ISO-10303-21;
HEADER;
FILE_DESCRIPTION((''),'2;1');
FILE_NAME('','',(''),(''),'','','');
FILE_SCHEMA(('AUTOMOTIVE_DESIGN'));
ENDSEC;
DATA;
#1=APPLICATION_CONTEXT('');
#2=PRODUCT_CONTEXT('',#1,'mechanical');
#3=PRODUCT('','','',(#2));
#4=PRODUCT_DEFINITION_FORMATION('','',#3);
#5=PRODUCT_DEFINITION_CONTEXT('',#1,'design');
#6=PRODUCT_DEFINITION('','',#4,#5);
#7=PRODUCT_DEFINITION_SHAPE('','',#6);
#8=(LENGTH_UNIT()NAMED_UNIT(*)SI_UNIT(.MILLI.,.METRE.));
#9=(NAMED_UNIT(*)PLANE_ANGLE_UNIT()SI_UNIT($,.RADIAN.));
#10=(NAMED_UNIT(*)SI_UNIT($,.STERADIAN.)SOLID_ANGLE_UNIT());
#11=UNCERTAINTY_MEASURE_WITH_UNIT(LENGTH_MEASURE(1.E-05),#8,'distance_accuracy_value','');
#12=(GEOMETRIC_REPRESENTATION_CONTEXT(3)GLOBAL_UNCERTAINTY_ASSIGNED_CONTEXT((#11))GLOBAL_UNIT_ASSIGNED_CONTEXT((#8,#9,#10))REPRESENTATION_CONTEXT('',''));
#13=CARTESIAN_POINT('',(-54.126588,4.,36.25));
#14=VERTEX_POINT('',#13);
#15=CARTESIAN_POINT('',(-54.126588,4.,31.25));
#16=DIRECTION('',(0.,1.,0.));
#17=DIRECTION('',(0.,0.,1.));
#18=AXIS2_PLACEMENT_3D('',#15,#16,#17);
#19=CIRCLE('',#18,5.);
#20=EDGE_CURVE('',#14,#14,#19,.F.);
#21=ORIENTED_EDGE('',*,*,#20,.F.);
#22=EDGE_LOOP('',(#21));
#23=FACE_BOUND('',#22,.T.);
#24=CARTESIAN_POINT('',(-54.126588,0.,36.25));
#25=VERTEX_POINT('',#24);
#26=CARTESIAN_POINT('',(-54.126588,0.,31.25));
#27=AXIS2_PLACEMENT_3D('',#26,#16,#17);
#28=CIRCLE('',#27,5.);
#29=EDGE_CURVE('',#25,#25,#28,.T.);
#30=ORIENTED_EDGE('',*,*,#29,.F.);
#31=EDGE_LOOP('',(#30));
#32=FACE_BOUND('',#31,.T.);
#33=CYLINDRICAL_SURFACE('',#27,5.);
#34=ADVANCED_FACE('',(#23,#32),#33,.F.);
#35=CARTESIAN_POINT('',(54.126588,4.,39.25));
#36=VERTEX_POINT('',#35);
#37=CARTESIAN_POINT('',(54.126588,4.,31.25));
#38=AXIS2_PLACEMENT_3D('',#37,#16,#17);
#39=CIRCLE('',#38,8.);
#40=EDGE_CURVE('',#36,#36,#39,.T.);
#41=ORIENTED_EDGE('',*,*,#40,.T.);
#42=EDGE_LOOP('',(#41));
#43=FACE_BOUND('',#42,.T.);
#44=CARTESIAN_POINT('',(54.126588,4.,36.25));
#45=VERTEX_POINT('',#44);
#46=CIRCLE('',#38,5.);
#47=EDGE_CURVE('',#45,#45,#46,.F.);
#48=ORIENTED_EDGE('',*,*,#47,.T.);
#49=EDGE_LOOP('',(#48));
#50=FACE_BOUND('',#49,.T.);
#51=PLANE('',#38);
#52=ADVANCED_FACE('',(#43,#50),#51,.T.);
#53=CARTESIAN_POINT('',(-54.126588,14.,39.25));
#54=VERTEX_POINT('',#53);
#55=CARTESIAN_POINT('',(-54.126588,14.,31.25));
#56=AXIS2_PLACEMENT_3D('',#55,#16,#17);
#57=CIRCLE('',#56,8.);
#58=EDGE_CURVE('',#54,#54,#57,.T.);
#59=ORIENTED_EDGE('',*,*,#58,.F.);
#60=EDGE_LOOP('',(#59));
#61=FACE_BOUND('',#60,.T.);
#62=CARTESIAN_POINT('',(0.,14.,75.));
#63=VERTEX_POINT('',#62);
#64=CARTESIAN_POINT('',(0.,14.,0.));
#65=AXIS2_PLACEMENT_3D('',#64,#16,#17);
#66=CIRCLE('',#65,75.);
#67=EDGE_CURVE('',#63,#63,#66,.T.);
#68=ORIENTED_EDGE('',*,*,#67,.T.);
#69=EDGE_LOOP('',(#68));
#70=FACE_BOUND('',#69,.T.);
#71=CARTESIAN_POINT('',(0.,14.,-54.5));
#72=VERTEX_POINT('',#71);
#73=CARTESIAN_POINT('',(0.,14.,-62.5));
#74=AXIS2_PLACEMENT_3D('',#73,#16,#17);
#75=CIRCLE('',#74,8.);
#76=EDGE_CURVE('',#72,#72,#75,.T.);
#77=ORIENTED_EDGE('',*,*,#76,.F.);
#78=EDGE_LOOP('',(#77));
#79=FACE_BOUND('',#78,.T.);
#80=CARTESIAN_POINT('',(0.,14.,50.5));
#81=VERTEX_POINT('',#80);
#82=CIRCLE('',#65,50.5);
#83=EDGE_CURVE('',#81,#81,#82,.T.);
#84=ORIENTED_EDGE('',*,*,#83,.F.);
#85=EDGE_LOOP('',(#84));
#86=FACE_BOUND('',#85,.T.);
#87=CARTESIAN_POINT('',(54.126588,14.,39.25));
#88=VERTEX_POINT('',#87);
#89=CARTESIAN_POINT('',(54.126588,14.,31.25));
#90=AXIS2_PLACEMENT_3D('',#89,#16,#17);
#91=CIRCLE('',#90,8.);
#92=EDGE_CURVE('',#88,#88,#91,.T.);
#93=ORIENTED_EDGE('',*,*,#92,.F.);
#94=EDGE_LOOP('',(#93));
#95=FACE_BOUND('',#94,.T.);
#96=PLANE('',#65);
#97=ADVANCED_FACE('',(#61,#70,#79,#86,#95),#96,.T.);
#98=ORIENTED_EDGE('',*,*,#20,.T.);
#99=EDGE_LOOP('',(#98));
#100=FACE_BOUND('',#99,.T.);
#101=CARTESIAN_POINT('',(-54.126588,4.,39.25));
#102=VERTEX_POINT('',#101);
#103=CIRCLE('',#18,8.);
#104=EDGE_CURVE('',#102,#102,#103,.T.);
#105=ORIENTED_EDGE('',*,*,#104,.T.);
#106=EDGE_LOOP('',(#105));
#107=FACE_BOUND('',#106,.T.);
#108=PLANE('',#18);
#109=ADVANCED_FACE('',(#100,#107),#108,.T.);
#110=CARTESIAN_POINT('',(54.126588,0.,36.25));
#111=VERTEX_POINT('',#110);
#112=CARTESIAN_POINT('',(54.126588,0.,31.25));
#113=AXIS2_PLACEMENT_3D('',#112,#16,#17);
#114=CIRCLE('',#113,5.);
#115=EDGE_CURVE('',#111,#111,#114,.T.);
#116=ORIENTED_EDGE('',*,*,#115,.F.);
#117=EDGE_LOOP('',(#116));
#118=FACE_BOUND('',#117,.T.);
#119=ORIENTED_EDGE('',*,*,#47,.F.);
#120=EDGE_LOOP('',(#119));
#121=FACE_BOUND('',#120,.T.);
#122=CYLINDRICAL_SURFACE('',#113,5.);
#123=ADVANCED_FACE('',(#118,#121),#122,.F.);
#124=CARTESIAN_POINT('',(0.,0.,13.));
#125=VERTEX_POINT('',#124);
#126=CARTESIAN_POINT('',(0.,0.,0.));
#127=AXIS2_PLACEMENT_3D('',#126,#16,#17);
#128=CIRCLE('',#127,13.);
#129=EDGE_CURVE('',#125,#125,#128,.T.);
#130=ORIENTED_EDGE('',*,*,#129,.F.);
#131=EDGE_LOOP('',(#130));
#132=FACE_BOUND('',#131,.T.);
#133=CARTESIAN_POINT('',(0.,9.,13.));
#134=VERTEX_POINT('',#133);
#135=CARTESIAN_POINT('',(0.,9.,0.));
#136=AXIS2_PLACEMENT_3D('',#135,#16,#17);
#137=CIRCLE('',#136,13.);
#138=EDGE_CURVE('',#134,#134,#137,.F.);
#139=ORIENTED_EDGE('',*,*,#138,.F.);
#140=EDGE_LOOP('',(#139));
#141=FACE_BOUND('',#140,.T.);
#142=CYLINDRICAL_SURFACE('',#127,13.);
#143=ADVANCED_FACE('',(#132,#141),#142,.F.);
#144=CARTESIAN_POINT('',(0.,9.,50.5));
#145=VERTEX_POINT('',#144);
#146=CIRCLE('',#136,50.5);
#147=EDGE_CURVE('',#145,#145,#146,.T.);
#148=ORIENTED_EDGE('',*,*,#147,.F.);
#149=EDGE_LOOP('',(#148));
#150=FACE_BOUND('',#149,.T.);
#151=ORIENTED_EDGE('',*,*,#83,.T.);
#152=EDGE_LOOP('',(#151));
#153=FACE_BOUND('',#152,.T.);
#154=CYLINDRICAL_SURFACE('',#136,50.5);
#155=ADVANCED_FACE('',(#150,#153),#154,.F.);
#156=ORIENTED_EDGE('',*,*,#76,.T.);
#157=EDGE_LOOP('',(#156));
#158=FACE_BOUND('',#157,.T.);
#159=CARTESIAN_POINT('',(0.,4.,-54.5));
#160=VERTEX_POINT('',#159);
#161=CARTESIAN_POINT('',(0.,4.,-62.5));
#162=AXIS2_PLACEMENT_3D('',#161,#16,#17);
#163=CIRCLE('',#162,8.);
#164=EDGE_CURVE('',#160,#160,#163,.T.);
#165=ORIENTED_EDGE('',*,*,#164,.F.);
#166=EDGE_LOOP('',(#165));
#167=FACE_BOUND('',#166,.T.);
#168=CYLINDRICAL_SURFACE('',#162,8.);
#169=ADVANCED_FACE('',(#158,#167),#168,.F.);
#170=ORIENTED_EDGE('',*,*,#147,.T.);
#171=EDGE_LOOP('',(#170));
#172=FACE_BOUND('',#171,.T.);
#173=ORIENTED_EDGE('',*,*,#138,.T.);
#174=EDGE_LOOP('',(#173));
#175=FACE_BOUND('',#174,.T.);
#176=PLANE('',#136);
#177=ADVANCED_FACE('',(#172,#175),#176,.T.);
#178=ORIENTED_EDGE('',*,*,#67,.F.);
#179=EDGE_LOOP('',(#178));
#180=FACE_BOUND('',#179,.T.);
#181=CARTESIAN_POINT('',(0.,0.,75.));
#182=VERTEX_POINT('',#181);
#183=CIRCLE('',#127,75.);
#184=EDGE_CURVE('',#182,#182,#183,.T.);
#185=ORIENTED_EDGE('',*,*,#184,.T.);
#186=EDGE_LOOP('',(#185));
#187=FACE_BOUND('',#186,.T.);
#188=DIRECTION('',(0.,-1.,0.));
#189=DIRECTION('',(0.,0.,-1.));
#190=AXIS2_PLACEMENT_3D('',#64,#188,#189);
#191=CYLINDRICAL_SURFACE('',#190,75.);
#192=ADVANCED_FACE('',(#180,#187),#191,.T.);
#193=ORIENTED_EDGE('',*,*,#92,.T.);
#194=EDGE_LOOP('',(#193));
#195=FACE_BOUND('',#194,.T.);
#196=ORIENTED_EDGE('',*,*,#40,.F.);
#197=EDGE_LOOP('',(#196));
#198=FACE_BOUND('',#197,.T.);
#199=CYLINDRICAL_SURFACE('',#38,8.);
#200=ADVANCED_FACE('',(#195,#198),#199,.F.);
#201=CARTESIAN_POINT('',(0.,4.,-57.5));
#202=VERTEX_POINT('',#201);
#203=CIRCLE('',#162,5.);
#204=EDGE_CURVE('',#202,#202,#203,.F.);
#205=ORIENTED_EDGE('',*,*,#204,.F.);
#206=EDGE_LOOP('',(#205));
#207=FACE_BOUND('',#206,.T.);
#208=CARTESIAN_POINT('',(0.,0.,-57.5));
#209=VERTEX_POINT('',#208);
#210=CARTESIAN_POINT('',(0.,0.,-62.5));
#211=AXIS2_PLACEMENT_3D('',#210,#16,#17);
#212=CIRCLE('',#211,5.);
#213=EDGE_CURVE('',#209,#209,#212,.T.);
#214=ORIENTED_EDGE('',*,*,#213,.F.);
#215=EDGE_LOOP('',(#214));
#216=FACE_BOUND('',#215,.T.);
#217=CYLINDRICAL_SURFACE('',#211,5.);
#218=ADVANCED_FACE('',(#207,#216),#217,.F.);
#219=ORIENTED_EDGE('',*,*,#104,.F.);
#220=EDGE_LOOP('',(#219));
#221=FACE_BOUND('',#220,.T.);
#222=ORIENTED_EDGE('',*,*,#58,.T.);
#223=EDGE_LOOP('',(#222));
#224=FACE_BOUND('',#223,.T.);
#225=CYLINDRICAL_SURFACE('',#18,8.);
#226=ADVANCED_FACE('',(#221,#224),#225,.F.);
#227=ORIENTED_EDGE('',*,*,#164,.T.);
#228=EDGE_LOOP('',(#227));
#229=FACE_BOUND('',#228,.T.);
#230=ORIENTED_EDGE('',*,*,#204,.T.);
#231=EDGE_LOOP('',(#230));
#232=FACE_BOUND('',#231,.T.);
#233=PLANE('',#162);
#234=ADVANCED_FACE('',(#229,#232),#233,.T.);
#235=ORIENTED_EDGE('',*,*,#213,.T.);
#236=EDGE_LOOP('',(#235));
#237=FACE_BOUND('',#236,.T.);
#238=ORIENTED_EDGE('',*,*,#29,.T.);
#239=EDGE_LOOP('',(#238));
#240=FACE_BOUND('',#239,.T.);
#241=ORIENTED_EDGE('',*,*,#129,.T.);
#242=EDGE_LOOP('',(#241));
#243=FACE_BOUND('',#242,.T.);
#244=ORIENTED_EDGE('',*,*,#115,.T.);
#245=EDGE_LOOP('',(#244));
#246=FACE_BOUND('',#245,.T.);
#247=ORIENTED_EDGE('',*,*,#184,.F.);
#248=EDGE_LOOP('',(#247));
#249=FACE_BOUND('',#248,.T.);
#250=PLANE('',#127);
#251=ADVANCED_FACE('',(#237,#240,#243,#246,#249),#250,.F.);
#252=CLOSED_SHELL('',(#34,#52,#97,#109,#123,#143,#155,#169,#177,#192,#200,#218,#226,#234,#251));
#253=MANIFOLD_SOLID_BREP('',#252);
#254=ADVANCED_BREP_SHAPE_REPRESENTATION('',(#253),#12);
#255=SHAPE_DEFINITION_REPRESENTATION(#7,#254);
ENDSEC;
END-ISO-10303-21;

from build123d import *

# Parameters (mm, degrees)
SKETCH1_R           = 75
BOSS_EXTRUDE1_DEPTH = 14
SKETCH4_R           = 5
CUT_EXTRUDE4_DEPTH  = 107.98598039
SKETCH2_R           = 13
CUT_EXTRUDE5_DEPTH  = 107.98598039
SKETCH5_R           = 50.5
CUT_EXTRUDE6_DEPTH  = 5
SKETCH6_R           = 8
CUT_EXTRUDE7_DEPTH  = 10


with BuildPart() as part:
    # Sketch1 → Boss-Extrude1 (new body)
    with BuildSketch(Plane(origin=(0, 0, 0), x_dir=(1, 0, 0), z_dir=(0, 1, 0))):
        with Locations(Location((0, 0, 0), (0, 0, 270))):
            Circle(SKETCH1_R)
    extrude(amount=BOSS_EXTRUDE1_DEPTH)

    # Sketch4 → Cut-Extrude4 (cut, through all)
    with BuildSketch(Plane(origin=(0, 14, 0), x_dir=(1, 0, 0), z_dir=(0, 1, 0))):
        with Locations(Location((0, 62.5, 0), (0, 0, 270))):
            Circle(SKETCH4_R)
        with Locations(Location((-54.126587737, -31.25, 0), (0, 0, 270))):
            Circle(SKETCH4_R)
        with Locations(Location((54.126587737, -31.25, 0), (0, 0, 270))):
            Circle(SKETCH4_R)
    extrude(amount=-CUT_EXTRUDE4_DEPTH, mode=Mode.SUBTRACT)

    # Sketch2 → Cut-Extrude5 (cut, through all)
    with BuildSketch(Plane(origin=(0, 14, 0), x_dir=(1, 0, 0), z_dir=(0, 1, 0))):
        with Locations(Location((0, 0, 0), (0, 0, 270))):
            Circle(SKETCH2_R)
    extrude(amount=-CUT_EXTRUDE5_DEPTH, mode=Mode.SUBTRACT)

    # Sketch5 → Cut-Extrude6 (cut)
    with BuildSketch(Plane(origin=(0, 14, 0), x_dir=(-1, 0, 0), z_dir=(0, 1, 0))):
        with Locations(Location((0, 0, 0), (0, 0, 90))):
            Circle(SKETCH5_R)
    extrude(amount=-CUT_EXTRUDE6_DEPTH, mode=Mode.SUBTRACT)

    # Sketch6 → Cut-Extrude7 (cut)
    with BuildSketch(Plane(origin=(0, 14, 0), x_dir=(1, 0, 0), z_dir=(0, 1, 0))):
        with Locations(Location((-54.126587737, -31.25, 0), (0, 0, 270))):
            Circle(SKETCH6_R)
        with Locations(Location((0, 62.5, 0), (0, 0, 270))):
            Circle(SKETCH6_R)
        with Locations(Location((54.126587737, -31.25, 0), (0, 0, 270))):
            Circle(SKETCH6_R)
    extrude(amount=-CUT_EXTRUDE7_DEPTH, mode=Mode.SUBTRACT)


solid = part.part
